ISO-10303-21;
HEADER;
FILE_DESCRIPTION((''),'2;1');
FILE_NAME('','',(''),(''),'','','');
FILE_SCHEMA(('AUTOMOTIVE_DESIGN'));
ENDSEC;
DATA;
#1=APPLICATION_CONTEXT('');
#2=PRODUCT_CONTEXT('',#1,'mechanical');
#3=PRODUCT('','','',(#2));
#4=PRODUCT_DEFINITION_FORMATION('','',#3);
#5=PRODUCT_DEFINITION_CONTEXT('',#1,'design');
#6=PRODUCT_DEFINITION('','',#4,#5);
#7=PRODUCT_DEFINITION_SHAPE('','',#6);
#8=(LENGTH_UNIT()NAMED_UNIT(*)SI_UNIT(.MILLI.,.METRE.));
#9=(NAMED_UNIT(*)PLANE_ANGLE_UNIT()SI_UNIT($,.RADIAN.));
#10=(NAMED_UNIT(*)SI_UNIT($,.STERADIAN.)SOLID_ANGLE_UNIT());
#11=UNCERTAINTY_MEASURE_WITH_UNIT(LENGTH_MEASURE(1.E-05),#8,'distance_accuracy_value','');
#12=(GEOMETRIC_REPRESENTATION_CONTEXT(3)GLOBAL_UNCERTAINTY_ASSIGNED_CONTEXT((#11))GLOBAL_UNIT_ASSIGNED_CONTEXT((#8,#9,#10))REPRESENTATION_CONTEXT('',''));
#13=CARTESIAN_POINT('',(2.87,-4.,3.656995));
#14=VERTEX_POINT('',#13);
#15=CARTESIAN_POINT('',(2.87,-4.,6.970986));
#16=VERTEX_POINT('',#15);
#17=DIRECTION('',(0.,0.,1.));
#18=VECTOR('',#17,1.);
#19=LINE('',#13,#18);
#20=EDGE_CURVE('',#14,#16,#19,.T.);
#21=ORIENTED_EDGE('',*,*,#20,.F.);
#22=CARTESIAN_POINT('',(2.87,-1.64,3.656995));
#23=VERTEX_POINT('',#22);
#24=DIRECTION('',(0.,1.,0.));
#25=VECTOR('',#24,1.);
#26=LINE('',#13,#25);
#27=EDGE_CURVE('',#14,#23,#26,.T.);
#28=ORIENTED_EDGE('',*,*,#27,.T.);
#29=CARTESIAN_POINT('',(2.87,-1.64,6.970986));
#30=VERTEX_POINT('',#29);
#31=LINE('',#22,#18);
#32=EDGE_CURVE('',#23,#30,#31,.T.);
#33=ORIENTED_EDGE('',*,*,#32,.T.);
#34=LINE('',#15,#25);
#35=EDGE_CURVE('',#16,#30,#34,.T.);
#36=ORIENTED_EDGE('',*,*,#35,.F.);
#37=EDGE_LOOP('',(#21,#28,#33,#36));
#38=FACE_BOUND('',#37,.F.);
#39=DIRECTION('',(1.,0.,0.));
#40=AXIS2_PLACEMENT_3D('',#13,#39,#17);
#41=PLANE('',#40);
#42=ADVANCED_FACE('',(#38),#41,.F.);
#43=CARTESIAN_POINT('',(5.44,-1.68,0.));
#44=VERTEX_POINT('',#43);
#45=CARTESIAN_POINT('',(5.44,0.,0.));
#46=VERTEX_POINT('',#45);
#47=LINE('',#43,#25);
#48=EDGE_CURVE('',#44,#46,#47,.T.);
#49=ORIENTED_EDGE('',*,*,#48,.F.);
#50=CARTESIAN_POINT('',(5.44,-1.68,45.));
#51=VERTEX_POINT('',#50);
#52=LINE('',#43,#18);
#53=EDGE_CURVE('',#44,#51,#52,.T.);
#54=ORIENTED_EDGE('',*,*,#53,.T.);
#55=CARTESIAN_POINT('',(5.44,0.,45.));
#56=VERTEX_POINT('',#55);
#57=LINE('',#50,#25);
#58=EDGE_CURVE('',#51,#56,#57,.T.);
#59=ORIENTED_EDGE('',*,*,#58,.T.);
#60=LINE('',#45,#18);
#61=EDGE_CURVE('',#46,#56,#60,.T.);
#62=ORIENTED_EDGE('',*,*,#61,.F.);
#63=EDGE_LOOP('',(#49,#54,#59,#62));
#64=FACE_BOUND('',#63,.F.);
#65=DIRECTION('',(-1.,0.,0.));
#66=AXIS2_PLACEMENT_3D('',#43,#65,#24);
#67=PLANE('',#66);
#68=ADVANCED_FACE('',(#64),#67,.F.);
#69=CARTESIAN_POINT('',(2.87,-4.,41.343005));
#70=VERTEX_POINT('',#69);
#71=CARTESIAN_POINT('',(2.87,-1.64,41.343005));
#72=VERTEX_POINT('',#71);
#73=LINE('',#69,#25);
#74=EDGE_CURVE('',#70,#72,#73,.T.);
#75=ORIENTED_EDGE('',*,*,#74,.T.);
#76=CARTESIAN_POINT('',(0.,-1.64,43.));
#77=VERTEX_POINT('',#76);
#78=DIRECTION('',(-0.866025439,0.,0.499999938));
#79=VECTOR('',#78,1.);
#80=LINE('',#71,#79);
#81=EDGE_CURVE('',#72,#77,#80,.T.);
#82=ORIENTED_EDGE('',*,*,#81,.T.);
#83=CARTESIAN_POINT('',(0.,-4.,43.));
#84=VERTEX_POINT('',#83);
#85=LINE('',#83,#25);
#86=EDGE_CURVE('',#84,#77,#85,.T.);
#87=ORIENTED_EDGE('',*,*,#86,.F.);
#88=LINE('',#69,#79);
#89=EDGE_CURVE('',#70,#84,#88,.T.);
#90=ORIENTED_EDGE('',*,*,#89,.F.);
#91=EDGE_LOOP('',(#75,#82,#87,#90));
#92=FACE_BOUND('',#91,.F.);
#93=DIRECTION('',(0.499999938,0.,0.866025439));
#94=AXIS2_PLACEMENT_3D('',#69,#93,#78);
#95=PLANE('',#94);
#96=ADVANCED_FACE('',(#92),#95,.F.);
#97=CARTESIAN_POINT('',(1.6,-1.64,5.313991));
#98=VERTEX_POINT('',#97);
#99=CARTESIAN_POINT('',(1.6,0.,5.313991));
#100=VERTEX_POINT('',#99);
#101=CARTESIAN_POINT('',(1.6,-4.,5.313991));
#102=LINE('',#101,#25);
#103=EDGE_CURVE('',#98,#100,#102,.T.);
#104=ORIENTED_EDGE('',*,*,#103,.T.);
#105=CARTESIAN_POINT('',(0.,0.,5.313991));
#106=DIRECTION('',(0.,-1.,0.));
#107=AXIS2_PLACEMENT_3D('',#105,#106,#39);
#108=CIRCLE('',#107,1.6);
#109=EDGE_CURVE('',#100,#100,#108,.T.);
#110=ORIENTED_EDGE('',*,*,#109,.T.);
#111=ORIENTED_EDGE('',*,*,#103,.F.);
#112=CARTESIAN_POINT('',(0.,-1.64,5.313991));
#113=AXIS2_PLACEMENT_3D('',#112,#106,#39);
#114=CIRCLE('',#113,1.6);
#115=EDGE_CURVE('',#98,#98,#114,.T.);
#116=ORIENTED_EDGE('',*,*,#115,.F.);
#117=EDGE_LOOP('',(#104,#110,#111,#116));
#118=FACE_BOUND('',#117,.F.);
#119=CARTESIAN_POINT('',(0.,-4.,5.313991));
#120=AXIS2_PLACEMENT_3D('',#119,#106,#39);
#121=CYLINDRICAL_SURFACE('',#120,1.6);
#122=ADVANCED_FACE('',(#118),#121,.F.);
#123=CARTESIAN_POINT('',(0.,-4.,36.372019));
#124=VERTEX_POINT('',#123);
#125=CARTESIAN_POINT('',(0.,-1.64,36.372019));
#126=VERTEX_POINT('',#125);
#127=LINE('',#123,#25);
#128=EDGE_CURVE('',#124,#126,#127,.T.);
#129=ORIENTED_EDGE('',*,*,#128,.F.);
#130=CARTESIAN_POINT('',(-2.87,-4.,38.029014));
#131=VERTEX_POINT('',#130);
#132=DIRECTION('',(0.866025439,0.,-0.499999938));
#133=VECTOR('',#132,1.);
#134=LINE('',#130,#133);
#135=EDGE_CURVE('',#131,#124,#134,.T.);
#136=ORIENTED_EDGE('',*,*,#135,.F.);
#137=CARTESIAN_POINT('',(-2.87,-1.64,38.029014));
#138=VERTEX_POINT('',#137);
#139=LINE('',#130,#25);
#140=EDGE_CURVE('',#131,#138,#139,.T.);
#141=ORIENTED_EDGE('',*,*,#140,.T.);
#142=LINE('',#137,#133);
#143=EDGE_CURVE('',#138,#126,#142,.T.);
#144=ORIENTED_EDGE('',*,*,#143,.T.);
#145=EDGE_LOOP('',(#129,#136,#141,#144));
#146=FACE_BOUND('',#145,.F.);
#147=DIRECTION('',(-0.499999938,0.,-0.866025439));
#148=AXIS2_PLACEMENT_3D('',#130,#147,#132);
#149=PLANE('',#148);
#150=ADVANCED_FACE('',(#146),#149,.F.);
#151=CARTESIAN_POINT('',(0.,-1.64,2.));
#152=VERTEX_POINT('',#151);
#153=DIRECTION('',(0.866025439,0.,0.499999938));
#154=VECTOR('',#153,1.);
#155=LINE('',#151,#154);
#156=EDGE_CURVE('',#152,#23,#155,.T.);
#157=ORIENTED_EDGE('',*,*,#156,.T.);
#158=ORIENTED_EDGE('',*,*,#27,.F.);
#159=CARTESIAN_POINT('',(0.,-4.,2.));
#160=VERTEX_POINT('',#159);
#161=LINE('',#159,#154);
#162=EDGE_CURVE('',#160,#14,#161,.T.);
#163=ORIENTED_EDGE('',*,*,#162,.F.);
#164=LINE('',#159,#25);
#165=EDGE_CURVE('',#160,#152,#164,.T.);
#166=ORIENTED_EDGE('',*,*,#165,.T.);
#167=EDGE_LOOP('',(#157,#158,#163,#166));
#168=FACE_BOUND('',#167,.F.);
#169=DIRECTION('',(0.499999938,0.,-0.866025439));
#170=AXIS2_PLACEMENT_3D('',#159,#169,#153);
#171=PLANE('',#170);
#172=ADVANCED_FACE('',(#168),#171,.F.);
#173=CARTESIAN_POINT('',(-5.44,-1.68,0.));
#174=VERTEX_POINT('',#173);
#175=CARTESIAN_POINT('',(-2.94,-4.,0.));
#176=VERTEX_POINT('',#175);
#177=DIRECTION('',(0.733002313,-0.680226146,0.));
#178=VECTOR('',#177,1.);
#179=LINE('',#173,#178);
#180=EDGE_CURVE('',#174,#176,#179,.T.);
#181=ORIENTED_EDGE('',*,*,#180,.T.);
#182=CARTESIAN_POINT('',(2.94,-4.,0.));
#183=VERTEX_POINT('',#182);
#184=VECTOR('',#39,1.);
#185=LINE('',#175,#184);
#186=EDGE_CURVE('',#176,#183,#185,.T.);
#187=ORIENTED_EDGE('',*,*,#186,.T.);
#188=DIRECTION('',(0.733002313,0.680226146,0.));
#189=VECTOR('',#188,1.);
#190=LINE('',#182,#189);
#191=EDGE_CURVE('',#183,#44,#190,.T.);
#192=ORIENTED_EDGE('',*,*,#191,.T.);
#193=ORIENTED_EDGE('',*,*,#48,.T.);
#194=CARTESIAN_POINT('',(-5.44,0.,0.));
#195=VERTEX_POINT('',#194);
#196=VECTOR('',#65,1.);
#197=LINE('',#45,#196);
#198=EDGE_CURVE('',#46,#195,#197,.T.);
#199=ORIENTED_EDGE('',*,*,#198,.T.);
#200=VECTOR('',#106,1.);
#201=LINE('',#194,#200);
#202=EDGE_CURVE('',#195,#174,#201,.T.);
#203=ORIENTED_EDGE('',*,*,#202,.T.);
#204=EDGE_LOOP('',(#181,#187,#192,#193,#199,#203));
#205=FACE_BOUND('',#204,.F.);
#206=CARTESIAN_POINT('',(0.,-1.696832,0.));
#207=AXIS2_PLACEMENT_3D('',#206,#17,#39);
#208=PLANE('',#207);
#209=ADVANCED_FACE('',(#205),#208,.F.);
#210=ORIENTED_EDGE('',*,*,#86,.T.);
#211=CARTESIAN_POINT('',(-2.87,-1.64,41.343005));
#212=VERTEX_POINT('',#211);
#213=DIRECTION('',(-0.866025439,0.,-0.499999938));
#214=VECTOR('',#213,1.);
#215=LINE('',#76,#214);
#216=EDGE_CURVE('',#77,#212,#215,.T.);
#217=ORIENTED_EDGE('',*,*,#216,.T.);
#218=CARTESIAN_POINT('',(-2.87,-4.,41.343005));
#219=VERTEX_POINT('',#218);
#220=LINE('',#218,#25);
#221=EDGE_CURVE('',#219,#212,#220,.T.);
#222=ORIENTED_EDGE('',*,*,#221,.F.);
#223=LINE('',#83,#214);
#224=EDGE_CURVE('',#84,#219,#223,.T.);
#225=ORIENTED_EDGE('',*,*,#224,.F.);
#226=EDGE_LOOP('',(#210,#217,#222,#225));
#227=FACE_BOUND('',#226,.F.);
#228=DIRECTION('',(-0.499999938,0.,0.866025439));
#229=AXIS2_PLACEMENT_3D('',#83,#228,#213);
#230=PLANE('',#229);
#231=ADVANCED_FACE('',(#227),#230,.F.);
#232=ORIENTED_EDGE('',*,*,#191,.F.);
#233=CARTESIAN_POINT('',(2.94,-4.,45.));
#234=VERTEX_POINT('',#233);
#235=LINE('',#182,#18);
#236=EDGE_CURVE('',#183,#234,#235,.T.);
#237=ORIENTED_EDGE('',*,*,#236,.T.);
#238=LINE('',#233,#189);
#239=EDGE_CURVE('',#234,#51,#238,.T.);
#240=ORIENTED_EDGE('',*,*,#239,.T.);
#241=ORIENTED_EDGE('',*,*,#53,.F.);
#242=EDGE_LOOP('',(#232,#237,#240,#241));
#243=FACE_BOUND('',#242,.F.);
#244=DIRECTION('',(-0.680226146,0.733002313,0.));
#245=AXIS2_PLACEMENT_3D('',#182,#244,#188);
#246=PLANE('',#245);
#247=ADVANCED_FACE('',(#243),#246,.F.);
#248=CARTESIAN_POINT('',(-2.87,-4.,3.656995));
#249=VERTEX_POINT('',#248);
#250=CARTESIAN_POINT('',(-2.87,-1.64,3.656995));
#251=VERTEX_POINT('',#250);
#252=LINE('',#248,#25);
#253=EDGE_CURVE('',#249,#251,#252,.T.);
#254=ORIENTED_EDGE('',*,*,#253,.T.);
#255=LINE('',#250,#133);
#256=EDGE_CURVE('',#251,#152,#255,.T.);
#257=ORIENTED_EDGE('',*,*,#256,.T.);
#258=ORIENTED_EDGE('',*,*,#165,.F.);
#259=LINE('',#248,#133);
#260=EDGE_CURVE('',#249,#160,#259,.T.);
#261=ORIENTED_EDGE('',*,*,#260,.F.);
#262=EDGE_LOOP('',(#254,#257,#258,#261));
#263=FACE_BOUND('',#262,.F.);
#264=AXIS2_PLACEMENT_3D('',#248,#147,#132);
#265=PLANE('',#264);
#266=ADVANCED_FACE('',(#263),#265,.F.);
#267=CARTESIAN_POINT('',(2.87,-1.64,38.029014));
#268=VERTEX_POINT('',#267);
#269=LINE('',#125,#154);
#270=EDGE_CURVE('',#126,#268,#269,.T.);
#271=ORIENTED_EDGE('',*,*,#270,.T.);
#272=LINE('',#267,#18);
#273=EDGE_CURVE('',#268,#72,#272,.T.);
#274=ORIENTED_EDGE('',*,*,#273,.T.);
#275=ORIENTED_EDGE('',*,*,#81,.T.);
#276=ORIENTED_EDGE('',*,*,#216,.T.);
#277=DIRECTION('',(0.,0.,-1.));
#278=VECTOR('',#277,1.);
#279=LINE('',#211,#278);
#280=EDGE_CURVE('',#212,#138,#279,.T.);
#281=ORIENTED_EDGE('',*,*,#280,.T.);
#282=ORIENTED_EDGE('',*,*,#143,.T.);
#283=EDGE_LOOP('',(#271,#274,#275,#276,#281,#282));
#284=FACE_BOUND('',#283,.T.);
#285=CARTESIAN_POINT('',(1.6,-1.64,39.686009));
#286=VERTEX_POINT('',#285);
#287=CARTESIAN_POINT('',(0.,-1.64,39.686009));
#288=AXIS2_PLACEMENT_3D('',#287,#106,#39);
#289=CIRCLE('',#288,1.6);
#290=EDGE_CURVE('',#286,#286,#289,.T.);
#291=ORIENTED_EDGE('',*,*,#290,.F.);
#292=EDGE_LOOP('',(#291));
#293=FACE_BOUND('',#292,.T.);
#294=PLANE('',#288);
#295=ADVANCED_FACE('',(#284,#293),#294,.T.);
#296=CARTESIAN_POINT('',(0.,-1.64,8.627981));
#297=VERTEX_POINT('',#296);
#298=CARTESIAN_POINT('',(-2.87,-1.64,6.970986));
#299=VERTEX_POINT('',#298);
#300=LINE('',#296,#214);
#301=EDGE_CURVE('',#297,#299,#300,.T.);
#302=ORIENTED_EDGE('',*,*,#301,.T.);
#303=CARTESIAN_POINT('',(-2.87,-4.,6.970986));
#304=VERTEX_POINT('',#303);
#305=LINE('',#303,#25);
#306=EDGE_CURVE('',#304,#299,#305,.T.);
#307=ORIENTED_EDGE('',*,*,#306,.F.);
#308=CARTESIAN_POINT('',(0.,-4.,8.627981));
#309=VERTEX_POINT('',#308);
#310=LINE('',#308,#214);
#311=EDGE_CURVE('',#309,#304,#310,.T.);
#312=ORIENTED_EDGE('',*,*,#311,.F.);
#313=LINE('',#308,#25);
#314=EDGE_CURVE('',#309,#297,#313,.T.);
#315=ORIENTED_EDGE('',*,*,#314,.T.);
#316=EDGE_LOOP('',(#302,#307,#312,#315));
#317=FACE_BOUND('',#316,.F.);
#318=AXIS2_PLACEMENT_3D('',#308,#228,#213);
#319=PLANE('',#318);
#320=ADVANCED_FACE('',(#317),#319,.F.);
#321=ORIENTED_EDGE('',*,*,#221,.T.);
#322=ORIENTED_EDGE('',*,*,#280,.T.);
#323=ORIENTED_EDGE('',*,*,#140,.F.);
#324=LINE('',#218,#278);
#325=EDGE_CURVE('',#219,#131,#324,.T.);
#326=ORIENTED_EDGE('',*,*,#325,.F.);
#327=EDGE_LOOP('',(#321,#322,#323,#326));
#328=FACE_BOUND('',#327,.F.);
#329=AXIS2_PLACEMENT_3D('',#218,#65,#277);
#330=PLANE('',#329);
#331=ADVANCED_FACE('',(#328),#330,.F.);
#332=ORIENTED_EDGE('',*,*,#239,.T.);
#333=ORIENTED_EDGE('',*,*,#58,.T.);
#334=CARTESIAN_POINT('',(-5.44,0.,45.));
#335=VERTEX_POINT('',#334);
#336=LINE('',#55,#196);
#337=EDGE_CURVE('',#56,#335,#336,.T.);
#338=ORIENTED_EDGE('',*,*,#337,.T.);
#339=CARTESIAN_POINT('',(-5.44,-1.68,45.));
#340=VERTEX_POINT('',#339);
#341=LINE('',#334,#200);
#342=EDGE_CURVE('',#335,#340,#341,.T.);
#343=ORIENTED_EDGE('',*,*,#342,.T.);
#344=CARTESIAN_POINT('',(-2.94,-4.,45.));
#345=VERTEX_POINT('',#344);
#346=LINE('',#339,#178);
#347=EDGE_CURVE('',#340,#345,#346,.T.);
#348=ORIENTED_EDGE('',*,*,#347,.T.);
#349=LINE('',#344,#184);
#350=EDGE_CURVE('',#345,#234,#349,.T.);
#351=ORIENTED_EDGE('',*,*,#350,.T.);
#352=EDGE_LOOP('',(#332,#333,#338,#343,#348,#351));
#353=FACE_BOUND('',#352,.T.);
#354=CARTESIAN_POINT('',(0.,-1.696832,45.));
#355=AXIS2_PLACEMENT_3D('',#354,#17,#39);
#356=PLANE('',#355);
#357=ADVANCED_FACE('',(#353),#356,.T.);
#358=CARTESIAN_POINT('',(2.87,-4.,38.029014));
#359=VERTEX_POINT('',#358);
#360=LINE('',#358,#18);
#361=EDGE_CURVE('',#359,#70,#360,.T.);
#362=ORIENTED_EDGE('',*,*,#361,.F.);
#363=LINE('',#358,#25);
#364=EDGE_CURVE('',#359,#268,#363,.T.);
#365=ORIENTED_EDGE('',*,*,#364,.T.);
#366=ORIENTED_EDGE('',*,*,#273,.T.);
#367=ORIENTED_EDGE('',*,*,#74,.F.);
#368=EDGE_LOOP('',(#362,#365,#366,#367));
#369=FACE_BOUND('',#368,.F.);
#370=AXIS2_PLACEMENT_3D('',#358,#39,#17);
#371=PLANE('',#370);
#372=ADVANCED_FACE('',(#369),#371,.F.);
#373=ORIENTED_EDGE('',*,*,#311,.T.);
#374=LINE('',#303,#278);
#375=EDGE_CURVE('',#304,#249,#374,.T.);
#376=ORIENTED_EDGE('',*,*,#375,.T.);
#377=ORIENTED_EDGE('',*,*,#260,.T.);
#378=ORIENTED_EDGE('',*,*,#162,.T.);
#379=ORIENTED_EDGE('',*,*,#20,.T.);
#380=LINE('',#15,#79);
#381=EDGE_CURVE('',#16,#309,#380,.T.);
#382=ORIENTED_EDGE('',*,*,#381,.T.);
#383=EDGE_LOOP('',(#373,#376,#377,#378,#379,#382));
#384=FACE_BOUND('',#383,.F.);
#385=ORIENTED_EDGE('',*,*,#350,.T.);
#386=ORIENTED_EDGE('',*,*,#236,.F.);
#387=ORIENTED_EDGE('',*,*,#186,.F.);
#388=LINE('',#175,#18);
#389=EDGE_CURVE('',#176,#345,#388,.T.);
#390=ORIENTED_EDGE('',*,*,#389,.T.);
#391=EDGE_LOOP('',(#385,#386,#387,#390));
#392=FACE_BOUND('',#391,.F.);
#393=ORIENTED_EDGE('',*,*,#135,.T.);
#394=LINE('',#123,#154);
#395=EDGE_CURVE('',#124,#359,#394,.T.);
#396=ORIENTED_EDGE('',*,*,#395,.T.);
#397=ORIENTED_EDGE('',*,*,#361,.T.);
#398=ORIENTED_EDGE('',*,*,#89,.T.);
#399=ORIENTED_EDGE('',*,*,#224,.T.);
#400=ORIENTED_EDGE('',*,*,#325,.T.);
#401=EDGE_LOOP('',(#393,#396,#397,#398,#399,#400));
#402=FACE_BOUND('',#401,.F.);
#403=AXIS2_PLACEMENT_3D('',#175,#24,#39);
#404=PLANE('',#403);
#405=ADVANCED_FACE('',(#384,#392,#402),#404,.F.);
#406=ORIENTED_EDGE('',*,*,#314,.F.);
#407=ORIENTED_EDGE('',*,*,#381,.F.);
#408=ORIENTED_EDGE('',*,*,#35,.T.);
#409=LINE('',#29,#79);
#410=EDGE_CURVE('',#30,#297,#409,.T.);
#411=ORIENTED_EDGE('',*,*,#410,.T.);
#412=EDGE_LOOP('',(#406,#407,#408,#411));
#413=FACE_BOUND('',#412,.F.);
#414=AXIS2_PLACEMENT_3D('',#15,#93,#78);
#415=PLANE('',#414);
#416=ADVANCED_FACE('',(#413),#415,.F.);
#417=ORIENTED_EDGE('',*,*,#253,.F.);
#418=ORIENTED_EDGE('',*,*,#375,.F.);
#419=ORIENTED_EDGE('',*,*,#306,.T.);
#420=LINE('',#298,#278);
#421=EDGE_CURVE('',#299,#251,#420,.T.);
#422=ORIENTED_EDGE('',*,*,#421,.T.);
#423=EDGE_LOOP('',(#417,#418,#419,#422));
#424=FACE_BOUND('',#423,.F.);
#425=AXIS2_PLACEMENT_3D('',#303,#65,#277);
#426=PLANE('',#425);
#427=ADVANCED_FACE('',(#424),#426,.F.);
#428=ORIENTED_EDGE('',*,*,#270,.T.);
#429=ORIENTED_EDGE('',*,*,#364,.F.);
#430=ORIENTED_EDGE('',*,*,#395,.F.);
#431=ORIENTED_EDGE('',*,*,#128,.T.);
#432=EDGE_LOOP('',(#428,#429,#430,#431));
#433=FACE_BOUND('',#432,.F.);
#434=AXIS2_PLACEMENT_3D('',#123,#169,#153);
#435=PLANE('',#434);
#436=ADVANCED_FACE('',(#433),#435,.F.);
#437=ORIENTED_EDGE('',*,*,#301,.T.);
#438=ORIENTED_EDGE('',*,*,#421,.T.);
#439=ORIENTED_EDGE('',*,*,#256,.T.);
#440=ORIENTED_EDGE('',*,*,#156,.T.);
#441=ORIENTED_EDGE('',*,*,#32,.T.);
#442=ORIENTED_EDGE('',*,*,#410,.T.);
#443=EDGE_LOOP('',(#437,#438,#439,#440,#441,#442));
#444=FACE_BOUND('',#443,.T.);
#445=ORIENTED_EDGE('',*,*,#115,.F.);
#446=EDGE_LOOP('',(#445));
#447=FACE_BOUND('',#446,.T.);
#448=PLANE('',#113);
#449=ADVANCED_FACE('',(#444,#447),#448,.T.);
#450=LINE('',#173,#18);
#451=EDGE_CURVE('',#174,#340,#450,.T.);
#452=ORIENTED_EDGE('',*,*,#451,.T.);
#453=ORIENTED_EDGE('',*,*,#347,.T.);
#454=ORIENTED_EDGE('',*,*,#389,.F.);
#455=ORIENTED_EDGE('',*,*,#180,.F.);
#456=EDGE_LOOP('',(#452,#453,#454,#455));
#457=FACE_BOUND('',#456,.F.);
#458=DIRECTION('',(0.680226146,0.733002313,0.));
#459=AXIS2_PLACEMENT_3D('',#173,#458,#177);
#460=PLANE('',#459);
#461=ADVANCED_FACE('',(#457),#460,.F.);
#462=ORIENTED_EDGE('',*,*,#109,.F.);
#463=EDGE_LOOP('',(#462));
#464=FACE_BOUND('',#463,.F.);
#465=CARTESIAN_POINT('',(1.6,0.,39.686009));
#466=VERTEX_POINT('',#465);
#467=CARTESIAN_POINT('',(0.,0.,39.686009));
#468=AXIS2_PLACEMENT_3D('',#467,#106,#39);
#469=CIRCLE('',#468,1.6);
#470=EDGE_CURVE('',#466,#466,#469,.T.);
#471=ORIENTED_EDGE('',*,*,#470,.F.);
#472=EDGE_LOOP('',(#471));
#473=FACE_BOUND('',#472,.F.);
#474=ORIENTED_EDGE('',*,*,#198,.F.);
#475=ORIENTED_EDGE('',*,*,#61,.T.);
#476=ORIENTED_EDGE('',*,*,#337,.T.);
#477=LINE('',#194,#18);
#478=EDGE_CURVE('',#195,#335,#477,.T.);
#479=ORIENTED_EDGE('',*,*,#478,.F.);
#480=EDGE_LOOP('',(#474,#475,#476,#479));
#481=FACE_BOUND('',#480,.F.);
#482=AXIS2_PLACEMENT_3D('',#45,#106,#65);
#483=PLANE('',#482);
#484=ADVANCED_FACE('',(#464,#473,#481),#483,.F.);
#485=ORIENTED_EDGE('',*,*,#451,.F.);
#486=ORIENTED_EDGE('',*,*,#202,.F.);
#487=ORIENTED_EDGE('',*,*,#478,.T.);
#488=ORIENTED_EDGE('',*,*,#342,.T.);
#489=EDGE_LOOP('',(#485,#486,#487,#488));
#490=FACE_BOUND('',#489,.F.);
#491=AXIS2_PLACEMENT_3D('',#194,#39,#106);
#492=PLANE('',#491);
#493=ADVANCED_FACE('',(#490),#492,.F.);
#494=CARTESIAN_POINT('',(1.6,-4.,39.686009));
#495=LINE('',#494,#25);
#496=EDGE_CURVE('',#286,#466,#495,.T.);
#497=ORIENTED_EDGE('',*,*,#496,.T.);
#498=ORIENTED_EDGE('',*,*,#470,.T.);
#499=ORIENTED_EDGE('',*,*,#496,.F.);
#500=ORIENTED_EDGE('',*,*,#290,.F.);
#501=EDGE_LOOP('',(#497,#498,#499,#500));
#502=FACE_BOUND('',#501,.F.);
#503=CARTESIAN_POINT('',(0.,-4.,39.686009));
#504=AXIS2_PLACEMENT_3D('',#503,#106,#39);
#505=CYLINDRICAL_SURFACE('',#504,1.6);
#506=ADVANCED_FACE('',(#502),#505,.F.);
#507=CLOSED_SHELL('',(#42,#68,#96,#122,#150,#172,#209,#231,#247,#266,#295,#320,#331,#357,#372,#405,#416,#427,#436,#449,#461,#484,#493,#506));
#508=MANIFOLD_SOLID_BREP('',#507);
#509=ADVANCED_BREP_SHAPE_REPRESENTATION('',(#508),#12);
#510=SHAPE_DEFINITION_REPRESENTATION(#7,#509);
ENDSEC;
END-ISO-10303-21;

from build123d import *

# Parameters (mm, degrees)
PAD_DEPTH       = 45
SKETCH001_R     = 1.6
POCKET_DEPTH    = 4.001
POCKET001_DEPTH = 2.36


with BuildPart() as part:
    # Sketch → Pad (new body)
    with BuildSketch(Plane.XY):
        Polygon((0, 0), (-5.44, 0), (-5.44, -1.68), (-2.94, -4), (0, -4), (2.94, -4), (5.44, -1.68), (5.44, 0), align=None)
    extrude(amount=PAD_DEPTH)

    # Sketch001 (on Face5 of Pad) → Pocket (cut, through all)
    with BuildSketch(Plane.XZ.offset(4)):
        with Locations((0, 39.686009)):
            Circle(SKETCH001_R)
        with Locations((0, 5.313991)):
            Circle(SKETCH001_R)
    extrude(amount=-POCKET_DEPTH, mode=Mode.SUBTRACT)

    # Sketch002 (on Face10 of Pocket) → Pocket001 (cut)
    with BuildSketch(Plane.XZ.offset(4)):
        Polygon((2.87, 41.343005), (0, 43), (-2.87, 41.343005), (-2.87, 38.029014), (0, 36.372019), (2.87, 38.029014), align=None)
        Polygon((2.87, 6.970986), (0, 8.627981), (-2.87, 6.970986), (-2.87, 3.656995), (0, 2), (2.87, 3.656995), align=None)
    extrude(amount=-POCKET001_DEPTH, mode=Mode.SUBTRACT)


solid = part.part
